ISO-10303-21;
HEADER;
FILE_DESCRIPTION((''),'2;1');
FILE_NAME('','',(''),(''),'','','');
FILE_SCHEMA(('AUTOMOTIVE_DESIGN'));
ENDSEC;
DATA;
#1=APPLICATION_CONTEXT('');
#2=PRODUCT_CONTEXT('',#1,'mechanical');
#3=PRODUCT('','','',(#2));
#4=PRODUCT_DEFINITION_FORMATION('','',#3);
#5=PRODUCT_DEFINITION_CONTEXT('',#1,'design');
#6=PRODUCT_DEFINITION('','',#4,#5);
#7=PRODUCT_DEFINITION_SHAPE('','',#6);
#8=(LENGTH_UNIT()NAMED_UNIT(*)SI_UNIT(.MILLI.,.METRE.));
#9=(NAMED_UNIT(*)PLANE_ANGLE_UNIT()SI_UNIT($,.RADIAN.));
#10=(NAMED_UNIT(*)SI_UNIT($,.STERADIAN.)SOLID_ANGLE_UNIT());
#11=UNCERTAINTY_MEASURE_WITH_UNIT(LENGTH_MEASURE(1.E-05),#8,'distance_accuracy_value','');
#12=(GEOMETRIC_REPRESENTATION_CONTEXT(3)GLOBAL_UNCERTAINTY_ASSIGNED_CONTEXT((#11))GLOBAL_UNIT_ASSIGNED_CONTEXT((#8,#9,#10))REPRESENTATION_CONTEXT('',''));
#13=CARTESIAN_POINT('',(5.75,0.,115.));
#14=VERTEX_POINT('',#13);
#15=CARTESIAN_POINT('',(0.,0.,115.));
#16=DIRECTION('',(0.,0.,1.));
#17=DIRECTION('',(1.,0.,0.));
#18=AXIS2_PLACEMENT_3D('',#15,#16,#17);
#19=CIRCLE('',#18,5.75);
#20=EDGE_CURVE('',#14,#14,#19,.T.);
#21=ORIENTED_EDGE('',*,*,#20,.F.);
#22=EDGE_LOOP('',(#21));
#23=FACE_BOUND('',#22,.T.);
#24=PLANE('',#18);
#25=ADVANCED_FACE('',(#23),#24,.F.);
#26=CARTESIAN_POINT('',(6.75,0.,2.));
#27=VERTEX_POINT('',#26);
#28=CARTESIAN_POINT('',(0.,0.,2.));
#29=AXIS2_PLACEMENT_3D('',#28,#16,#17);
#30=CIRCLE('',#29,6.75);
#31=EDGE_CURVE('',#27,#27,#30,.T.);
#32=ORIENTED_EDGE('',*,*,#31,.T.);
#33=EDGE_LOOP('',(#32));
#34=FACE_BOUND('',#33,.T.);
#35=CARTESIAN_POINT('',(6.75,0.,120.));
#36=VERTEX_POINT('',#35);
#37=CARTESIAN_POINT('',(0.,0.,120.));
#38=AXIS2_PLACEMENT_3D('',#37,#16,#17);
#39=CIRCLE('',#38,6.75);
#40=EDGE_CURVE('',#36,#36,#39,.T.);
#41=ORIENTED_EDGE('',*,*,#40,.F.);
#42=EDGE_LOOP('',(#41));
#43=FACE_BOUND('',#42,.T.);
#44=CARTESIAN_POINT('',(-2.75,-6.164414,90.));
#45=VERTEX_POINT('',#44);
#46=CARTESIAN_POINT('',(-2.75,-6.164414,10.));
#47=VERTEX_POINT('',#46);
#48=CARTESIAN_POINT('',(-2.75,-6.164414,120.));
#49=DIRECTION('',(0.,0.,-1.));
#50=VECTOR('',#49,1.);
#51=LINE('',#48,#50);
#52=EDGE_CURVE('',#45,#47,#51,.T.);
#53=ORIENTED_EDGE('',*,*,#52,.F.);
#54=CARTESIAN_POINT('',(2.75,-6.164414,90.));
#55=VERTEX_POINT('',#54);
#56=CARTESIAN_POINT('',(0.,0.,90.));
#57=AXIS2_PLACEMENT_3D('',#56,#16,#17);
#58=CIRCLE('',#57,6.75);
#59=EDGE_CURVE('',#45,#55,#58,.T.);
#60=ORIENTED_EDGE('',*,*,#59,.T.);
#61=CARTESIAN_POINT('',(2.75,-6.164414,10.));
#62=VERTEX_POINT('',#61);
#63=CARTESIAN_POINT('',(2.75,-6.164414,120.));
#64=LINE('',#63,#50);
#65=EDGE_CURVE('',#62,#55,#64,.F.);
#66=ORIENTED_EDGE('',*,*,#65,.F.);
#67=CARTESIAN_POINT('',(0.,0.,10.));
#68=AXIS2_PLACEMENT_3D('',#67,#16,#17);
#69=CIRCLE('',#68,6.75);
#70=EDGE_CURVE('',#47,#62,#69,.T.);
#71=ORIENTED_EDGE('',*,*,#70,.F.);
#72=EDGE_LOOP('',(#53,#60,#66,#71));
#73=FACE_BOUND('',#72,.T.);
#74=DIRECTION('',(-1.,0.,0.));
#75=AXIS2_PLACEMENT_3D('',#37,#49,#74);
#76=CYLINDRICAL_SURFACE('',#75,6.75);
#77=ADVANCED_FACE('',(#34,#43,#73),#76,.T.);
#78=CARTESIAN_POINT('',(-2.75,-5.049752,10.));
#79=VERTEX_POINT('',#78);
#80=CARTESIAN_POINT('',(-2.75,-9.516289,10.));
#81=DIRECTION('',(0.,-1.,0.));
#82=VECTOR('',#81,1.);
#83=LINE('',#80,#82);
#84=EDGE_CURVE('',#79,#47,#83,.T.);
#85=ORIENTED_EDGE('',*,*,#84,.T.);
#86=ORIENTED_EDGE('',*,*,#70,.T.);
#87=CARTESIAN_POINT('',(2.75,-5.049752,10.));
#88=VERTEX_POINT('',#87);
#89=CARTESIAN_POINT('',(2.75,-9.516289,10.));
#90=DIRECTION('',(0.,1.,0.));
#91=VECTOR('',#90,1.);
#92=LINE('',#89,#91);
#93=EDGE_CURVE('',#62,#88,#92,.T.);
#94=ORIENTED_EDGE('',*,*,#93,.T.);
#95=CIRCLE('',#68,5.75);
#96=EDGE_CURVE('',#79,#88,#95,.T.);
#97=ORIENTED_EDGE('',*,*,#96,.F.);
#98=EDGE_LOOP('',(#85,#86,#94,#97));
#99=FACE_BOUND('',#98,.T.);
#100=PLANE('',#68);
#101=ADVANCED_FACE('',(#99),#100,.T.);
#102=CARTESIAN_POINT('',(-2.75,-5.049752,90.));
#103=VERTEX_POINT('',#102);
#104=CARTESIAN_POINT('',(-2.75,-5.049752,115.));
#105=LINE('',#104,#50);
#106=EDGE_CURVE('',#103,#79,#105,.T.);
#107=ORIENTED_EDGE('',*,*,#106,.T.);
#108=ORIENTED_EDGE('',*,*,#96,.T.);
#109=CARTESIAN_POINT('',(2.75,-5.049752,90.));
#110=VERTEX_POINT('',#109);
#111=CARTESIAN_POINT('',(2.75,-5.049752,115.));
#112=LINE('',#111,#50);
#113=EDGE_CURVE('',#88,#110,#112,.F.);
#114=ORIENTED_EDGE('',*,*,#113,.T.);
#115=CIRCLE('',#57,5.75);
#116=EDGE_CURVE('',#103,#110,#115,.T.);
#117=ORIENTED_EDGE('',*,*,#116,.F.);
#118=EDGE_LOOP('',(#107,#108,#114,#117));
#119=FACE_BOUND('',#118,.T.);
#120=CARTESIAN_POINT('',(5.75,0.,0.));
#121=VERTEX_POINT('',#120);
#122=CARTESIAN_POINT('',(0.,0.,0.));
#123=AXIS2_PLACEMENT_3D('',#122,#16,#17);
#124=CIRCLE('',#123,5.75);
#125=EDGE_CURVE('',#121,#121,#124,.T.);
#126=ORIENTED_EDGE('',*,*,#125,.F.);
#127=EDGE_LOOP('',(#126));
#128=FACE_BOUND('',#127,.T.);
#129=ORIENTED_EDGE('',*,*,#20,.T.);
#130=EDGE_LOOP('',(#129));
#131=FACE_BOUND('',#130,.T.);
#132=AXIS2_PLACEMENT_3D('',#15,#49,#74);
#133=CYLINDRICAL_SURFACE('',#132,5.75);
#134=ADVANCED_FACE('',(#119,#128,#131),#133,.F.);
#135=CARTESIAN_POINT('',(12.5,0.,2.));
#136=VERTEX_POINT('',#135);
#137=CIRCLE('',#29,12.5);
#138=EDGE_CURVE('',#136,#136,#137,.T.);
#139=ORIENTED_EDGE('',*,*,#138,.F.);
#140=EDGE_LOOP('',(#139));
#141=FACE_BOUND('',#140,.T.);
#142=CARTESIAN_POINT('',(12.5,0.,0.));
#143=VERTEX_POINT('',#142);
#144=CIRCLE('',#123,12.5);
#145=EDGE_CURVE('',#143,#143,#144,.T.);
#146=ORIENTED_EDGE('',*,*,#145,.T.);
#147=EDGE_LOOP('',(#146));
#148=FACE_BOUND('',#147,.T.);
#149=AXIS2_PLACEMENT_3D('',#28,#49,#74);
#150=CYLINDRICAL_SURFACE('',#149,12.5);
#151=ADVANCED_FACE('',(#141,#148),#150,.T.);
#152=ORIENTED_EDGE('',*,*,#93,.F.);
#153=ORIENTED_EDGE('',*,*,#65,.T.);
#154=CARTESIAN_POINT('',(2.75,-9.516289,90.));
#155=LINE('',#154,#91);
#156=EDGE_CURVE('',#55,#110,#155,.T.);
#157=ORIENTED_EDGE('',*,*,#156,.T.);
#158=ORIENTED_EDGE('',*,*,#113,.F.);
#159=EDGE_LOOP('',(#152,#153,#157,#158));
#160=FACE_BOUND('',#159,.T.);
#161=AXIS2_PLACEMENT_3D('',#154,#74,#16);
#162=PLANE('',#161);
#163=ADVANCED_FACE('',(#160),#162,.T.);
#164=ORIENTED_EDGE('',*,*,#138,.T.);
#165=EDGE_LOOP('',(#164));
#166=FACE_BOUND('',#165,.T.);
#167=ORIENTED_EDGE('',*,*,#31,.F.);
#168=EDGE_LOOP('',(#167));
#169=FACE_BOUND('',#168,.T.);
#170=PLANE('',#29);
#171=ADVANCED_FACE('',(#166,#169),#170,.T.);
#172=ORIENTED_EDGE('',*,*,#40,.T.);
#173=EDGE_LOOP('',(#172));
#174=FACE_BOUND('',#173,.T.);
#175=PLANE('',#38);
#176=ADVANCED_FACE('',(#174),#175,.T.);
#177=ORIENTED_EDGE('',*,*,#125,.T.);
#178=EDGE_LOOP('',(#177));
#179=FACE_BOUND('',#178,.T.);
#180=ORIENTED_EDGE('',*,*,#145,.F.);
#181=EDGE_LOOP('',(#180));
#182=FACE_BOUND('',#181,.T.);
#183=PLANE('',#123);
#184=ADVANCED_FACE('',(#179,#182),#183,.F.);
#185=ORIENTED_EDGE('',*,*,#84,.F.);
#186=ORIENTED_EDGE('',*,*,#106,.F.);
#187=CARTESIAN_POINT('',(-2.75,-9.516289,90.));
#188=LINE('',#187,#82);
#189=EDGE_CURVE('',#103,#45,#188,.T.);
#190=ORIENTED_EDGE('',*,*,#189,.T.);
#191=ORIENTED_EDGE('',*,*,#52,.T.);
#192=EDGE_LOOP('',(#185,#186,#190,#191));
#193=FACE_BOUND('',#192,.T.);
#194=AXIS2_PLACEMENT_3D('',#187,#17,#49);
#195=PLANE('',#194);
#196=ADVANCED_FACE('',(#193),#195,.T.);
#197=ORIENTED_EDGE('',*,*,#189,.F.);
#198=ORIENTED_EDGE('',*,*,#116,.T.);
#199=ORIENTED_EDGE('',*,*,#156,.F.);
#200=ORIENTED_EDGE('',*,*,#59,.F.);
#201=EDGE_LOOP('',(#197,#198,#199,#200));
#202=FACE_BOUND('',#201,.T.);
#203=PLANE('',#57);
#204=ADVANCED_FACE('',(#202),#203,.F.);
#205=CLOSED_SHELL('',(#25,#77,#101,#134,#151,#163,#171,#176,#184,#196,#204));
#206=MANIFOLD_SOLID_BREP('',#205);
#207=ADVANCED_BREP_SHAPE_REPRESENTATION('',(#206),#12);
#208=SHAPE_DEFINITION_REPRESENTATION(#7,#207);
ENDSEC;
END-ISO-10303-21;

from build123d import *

# Parameters (mm, degrees)
SKETCH1_R           = 12.5
SKETCH1_R_2         = 6.75
BOSS_EXTRUDE1_DEPTH = 2
SKETCH1_3_R         = 6.75
BOSS_EXTRUDE2_DEPTH = 120
SKETCH1_4_R         = 5.75
CUT_EXTRUDE1_DEPTH  = 115
SKETCH2_W           = 5.5
SKETCH2_H           = 5.53257791
CUT_EXTRUDE3_DEPTH  = 80


with BuildPart() as part:
    # Sketch1 → Boss-Extrude1 (new body)
    with BuildSketch(Plane.XY):
        Circle(SKETCH1_R)
        Circle(SKETCH1_R_2, mode=Mode.SUBTRACT)
    extrude(amount=BOSS_EXTRUDE1_DEPTH)

    # Sketch1<3> → Boss-Extrude2 (add)
    with BuildSketch(Plane.XY):
        Circle(SKETCH1_3_R)
    extrude(amount=BOSS_EXTRUDE2_DEPTH)

    # Sketch1<4> → Cut-Extrude1 (cut)
    with BuildSketch(Plane.XY):
        Circle(SKETCH1_4_R)
    extrude(amount=CUT_EXTRUDE1_DEPTH, mode=Mode.SUBTRACT)

    # Sketch2 → Cut-Extrude3 (cut)
    with BuildSketch(Plane.XY.offset(10)):
        with Locations((0, -6.75)):
            Rectangle(SKETCH2_W, SKETCH2_H)
    extrude(amount=CUT_EXTRUDE3_DEPTH, mode=Mode.SUBTRACT)


solid = part.part
